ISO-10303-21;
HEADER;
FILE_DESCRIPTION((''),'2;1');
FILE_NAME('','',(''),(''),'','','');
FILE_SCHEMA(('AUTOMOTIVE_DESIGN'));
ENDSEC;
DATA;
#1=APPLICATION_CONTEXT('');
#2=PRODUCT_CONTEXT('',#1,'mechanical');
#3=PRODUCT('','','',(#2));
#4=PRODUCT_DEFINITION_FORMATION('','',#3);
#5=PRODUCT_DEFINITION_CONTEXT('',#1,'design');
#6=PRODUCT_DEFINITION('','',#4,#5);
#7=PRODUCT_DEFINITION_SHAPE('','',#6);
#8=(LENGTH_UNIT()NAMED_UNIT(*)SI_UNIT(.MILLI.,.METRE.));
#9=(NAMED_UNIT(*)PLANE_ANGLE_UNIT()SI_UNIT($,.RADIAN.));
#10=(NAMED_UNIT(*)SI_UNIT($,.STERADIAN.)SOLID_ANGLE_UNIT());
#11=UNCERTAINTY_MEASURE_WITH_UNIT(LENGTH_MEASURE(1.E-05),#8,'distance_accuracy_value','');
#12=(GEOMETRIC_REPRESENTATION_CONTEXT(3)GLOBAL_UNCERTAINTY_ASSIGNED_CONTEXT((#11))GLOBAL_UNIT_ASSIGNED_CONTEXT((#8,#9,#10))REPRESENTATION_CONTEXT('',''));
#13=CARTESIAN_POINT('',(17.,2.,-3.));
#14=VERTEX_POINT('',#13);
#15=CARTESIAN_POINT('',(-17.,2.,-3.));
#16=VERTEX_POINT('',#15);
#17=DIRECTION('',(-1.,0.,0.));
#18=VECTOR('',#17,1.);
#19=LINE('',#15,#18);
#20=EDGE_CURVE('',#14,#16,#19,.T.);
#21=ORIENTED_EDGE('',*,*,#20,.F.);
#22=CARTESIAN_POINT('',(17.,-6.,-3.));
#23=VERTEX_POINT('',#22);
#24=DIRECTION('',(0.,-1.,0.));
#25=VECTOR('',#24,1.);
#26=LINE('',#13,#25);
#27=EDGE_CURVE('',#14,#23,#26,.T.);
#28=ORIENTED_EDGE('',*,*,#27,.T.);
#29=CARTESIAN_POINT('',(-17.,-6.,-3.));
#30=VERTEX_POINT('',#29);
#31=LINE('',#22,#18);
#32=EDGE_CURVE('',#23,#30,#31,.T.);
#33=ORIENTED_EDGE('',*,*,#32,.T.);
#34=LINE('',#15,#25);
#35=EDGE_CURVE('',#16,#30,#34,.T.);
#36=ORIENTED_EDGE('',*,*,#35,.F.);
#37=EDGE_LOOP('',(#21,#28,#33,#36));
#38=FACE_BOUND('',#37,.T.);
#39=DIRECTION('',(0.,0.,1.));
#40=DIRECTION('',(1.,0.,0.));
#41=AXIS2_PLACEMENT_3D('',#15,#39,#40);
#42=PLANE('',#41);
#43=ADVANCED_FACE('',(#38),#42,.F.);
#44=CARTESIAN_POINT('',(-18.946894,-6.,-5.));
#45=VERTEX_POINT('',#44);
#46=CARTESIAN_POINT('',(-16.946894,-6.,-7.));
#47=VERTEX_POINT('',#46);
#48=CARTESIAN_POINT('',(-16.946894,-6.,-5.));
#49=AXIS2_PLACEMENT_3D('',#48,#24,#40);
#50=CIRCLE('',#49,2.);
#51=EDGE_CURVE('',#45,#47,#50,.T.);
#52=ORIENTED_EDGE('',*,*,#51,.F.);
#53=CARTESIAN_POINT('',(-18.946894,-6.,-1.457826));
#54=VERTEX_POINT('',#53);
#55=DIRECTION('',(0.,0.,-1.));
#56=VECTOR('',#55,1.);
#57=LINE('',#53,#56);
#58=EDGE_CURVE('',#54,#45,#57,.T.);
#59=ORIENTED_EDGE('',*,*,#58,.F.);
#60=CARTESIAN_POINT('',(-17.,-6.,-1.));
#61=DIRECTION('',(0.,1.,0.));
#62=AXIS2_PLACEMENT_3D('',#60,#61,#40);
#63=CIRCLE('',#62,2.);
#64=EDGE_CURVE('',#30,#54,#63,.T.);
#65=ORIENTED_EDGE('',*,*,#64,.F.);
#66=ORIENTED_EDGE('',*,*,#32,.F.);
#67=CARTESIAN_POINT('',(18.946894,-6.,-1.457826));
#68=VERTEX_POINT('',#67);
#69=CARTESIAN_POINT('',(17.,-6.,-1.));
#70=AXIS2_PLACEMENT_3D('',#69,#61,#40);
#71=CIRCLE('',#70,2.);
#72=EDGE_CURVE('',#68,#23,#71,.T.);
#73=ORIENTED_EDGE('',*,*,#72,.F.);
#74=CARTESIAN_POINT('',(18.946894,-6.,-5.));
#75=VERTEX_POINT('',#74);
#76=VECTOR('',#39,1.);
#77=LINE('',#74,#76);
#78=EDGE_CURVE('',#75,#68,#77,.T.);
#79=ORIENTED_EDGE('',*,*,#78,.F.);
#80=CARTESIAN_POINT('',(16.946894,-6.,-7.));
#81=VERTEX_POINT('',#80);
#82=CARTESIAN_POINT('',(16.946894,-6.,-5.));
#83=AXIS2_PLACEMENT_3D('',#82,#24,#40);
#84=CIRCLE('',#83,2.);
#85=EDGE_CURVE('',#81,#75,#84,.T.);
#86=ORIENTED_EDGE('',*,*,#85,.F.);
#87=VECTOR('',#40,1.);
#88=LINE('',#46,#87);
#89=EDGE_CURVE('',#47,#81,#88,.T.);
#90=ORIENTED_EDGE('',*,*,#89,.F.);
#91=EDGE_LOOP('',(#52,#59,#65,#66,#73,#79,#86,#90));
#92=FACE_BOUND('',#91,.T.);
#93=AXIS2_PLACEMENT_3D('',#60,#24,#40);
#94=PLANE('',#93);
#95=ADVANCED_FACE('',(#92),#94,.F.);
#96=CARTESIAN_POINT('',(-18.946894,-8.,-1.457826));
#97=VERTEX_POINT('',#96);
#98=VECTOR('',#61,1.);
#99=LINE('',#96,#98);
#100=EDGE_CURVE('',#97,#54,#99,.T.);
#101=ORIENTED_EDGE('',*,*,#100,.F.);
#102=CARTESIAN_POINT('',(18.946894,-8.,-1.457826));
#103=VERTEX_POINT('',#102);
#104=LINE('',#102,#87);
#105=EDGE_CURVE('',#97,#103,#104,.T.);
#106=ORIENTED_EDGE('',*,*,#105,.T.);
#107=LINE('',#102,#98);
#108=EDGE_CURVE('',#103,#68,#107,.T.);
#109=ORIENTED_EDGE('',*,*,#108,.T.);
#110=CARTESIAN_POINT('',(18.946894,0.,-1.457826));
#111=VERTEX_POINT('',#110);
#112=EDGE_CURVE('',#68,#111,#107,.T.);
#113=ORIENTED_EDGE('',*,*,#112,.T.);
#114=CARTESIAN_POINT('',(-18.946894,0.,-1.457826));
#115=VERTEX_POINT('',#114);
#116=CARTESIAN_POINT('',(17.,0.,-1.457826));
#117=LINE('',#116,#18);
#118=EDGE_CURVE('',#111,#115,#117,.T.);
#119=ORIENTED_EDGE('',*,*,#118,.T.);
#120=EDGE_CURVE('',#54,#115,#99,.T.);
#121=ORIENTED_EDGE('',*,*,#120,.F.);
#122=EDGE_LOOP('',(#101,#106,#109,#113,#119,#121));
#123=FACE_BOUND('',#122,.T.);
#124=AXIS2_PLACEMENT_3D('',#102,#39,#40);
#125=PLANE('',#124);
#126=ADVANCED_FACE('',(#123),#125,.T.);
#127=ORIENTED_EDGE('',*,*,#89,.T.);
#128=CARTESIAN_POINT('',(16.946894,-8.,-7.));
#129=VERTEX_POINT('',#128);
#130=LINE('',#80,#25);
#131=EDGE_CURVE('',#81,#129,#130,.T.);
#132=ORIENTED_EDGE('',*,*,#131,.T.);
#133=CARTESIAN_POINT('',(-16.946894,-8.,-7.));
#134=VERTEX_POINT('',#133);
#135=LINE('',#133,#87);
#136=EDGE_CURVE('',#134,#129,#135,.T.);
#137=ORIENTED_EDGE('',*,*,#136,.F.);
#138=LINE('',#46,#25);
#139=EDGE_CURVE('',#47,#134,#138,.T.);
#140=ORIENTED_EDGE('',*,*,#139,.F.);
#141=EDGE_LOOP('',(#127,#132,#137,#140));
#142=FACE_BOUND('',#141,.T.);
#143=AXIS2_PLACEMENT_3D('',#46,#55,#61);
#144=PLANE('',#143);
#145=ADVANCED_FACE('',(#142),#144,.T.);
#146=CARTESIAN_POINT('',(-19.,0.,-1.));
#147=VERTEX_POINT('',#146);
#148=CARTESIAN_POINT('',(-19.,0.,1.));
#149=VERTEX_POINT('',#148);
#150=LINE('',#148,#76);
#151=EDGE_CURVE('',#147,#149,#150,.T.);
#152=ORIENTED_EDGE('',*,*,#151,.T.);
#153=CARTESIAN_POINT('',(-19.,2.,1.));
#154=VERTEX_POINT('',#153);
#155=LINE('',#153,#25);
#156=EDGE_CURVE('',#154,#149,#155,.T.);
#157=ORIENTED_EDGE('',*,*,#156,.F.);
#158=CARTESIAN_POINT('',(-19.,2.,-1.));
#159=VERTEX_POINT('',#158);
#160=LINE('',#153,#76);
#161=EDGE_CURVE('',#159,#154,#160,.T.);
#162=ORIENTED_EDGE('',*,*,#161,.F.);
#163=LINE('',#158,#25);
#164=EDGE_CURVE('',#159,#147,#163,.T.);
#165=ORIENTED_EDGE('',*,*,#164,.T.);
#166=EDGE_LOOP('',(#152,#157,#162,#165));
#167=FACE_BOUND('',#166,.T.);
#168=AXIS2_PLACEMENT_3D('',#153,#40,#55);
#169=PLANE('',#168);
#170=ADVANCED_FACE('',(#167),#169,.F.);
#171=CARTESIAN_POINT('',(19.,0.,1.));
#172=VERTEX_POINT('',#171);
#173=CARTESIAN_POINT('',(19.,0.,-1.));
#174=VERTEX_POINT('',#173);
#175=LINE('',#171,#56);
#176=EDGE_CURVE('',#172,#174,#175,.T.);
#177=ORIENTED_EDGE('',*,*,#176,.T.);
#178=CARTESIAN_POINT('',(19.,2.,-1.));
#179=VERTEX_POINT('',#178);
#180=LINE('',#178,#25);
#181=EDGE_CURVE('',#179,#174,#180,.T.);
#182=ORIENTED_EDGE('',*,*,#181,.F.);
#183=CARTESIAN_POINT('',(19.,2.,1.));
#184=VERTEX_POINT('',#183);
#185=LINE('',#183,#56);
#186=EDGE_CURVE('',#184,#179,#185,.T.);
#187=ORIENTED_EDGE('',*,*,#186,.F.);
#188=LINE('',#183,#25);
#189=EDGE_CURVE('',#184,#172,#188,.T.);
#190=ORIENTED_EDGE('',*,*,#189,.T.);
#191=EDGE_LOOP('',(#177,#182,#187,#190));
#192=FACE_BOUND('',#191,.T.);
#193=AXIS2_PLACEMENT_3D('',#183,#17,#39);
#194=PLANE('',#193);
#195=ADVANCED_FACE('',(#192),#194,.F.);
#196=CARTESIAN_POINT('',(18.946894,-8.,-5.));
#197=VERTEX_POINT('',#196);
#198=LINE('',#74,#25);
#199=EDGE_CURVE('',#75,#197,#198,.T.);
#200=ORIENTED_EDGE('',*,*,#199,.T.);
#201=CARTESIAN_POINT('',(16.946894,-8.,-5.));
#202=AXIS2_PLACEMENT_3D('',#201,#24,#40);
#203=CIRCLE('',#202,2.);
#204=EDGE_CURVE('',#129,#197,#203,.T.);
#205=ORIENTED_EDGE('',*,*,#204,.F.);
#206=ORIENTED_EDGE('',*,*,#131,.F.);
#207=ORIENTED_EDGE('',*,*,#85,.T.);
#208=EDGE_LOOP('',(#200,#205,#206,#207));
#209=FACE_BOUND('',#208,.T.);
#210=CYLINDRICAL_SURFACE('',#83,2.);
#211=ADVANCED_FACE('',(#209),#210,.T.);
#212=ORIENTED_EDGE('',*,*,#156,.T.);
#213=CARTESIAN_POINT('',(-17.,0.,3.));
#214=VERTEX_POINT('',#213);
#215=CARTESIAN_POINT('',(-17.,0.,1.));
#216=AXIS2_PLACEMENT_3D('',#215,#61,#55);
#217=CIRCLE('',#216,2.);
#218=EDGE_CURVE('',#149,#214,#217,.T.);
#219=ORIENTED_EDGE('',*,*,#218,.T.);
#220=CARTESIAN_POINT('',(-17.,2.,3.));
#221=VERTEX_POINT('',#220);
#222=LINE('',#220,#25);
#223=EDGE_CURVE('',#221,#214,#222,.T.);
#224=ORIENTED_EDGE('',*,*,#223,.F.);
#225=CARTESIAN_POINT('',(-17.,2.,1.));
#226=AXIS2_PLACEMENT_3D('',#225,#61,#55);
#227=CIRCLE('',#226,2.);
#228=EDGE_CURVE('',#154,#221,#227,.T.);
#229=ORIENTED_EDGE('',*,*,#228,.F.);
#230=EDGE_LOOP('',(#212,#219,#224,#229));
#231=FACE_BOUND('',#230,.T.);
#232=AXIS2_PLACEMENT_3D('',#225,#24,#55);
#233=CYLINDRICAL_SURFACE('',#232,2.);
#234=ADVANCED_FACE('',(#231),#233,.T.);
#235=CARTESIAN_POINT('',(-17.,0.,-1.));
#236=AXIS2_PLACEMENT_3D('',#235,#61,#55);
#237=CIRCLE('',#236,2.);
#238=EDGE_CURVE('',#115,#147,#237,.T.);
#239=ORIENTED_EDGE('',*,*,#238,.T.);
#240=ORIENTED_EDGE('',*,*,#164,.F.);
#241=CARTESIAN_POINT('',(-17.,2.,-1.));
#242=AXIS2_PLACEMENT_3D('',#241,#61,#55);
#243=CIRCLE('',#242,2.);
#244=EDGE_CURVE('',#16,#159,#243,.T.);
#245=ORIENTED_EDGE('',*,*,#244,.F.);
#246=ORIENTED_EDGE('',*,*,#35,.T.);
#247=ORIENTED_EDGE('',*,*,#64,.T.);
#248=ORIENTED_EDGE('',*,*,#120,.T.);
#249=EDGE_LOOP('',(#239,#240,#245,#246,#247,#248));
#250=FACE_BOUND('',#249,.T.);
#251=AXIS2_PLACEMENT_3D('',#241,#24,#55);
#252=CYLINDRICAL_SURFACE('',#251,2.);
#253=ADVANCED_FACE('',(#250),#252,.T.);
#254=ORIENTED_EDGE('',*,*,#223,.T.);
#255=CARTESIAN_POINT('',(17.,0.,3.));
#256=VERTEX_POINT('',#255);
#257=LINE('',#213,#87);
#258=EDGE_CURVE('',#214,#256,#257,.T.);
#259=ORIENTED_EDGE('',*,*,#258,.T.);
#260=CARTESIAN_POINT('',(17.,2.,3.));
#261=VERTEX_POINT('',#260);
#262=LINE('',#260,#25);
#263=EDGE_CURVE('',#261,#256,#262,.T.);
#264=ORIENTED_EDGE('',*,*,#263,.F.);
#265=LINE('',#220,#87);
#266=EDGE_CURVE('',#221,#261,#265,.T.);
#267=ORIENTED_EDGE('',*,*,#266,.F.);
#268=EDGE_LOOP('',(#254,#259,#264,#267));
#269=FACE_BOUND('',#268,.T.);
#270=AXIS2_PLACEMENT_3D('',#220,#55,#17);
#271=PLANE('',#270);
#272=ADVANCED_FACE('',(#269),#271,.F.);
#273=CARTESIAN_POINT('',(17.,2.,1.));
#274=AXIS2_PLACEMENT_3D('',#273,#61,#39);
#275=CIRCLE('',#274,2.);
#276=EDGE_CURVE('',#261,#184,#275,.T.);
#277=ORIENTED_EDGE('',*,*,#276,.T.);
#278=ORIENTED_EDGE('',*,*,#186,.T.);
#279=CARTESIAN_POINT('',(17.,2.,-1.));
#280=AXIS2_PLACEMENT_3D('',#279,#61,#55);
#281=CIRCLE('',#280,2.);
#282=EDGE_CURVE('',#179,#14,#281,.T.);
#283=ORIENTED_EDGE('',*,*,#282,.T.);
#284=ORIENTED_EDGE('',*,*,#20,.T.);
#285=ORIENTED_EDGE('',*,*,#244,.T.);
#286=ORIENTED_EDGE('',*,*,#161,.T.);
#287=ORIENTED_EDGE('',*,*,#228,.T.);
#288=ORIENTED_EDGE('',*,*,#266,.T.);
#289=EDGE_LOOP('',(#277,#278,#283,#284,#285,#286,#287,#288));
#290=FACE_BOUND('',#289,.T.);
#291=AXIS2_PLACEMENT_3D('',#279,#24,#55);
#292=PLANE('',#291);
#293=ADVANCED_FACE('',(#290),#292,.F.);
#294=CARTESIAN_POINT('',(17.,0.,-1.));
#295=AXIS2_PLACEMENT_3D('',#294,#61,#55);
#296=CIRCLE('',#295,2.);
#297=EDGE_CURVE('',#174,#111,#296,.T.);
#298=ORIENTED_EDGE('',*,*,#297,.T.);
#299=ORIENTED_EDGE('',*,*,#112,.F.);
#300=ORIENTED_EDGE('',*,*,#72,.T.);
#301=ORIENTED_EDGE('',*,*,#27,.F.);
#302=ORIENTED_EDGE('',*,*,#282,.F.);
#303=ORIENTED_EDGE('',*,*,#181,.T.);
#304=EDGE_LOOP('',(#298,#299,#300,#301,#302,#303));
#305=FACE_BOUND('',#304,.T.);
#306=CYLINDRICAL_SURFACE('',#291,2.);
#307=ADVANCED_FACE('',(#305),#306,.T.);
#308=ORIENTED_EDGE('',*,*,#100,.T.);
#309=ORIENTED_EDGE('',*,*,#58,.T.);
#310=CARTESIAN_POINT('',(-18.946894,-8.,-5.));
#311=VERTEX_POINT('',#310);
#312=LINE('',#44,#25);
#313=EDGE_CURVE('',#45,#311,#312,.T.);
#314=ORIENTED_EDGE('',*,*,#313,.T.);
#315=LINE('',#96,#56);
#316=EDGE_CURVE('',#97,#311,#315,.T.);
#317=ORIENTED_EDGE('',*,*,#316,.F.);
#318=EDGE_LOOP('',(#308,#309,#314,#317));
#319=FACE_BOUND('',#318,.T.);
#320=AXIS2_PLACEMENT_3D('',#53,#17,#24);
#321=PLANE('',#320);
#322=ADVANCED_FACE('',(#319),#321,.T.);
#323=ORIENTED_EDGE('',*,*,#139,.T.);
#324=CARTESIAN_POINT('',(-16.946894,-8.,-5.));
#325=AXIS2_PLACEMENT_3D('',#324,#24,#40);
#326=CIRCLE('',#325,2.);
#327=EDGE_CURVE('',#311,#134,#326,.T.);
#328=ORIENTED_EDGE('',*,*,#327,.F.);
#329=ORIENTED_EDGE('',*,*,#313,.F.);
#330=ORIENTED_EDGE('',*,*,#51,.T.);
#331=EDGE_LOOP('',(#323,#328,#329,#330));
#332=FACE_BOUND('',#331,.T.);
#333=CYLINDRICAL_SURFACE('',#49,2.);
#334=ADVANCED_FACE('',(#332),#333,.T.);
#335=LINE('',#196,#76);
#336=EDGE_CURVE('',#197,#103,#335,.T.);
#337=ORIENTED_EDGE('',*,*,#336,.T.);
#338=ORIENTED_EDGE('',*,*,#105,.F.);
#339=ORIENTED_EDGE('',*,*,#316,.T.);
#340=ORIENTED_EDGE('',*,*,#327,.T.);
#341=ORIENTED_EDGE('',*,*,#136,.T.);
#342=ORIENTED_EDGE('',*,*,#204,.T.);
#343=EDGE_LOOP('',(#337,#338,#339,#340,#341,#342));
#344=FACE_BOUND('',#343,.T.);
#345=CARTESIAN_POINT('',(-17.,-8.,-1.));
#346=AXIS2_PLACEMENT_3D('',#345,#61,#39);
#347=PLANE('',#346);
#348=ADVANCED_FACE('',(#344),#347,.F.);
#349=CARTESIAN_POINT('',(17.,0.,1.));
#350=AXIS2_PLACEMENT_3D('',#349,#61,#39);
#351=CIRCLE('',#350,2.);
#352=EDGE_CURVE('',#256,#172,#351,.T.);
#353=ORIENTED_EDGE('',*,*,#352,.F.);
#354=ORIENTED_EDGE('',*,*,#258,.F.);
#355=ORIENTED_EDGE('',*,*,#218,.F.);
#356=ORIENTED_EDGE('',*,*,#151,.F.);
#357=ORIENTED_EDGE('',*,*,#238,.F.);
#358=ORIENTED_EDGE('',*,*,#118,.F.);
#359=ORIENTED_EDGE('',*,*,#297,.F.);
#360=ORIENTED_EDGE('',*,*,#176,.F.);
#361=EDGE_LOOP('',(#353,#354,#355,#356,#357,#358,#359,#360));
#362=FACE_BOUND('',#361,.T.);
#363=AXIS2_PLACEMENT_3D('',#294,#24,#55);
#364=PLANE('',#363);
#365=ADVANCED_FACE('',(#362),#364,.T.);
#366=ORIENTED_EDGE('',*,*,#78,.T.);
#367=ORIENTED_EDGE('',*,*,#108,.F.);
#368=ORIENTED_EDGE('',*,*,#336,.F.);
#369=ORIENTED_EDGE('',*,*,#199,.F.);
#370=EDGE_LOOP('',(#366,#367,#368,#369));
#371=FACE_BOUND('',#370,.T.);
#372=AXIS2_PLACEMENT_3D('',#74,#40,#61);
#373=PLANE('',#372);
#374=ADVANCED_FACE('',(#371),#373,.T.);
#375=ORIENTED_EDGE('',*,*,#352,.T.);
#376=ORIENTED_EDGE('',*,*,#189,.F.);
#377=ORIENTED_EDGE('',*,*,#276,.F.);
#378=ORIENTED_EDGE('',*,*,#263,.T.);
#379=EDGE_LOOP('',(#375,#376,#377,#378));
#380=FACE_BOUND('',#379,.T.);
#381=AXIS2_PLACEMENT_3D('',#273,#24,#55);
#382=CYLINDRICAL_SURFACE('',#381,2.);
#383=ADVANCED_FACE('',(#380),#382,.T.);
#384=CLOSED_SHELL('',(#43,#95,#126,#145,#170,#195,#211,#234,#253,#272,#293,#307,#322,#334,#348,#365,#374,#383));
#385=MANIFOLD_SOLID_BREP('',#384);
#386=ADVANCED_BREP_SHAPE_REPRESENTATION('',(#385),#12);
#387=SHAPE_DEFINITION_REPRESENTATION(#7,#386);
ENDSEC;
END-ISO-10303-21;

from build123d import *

# Parameters (mm, degrees)
BOSS_EXTRUDE1_DEPTH = 2
BOSS_EXTRUDE2_START = -10
BOSS_EXTRUDE2_DEPTH = 10
BOSS_EXTRUDE3_DEPTH = 2


with BuildPart() as part:
    # Sketch1 → Boss-Extrude1 (new body)
    with BuildSketch(Plane(origin=(0, 0, 0), x_dir=(1, 0, 0), z_dir=(0, 1, 0))):
        with BuildLine():
            Line((-17, -3), (17, -3))
            ThreePointArc((17, -3), (18.414213562, -2.414213562), (19, -1))
            Line((19, -1), (19, 1))
            ThreePointArc((19, 1), (18.414213562, 2.414213562), (17, 3))
            Line((17, 3), (-17, 3))
            ThreePointArc((-17, 3), (-18.414213562, 2.414213562), (-19, 1))
            Line((-19, 1), (-19, -1))
            ThreePointArc((-19, -1), (-18.414213562, -2.414213562), (-17, -3))
        make_face()
    extrude(amount=BOSS_EXTRUDE1_DEPTH)

    # Sketch2 → Boss-Extrude2 (add)
    with BuildSketch(Plane(origin=(0, 2, 0), x_dir=(1, 0, 0), z_dir=(0, 1, 0)).offset(BOSS_EXTRUDE2_START)):
        with BuildLine():
            Line((17, 3), (-17, 3))
            ThreePointArc((-17, 3), (-18.241842888, 2.567745592), (-18.946893714, 1.457826241))
            Line((-18.946893714, 1.457826241), (18.946893714, 1.457826241))
            ThreePointArc((18.946893714, 1.457826241), (18.241842888, 2.567745592), (17, 3))
        make_face()
    extrude(amount=BOSS_EXTRUDE2_DEPTH)

    # Sketch4 → Boss-Extrude3 (add)
    with BuildSketch(Plane.XZ.offset(8)):
        with BuildLine():
            Line((-18.946893714, -1.457826241), (-18.946893714, -5))
            ThreePointArc((-18.946893714, -5), (-18.361107276, -6.414213562), (-16.946893714, -7))
            Line((-16.946893714, -7), (16.946893714, -7))
            ThreePointArc((16.946893714, -7), (18.361107276, -6.414213562), (18.946893714, -5))
            Line((18.946893714, -5), (18.946893714, -1.457826241))
            ThreePointArc((18.946893714, -1.457826241), (18.241842888, -2.567745592), (17, -3))
            Line((17, -3), (-17, -3))
            ThreePointArc((-17, -3), (-18.241842888, -2.567745592), (-18.946893714, -1.457826241))
        make_face()
    extrude(amount=-BOSS_EXTRUDE3_DEPTH)


solid = part.part
